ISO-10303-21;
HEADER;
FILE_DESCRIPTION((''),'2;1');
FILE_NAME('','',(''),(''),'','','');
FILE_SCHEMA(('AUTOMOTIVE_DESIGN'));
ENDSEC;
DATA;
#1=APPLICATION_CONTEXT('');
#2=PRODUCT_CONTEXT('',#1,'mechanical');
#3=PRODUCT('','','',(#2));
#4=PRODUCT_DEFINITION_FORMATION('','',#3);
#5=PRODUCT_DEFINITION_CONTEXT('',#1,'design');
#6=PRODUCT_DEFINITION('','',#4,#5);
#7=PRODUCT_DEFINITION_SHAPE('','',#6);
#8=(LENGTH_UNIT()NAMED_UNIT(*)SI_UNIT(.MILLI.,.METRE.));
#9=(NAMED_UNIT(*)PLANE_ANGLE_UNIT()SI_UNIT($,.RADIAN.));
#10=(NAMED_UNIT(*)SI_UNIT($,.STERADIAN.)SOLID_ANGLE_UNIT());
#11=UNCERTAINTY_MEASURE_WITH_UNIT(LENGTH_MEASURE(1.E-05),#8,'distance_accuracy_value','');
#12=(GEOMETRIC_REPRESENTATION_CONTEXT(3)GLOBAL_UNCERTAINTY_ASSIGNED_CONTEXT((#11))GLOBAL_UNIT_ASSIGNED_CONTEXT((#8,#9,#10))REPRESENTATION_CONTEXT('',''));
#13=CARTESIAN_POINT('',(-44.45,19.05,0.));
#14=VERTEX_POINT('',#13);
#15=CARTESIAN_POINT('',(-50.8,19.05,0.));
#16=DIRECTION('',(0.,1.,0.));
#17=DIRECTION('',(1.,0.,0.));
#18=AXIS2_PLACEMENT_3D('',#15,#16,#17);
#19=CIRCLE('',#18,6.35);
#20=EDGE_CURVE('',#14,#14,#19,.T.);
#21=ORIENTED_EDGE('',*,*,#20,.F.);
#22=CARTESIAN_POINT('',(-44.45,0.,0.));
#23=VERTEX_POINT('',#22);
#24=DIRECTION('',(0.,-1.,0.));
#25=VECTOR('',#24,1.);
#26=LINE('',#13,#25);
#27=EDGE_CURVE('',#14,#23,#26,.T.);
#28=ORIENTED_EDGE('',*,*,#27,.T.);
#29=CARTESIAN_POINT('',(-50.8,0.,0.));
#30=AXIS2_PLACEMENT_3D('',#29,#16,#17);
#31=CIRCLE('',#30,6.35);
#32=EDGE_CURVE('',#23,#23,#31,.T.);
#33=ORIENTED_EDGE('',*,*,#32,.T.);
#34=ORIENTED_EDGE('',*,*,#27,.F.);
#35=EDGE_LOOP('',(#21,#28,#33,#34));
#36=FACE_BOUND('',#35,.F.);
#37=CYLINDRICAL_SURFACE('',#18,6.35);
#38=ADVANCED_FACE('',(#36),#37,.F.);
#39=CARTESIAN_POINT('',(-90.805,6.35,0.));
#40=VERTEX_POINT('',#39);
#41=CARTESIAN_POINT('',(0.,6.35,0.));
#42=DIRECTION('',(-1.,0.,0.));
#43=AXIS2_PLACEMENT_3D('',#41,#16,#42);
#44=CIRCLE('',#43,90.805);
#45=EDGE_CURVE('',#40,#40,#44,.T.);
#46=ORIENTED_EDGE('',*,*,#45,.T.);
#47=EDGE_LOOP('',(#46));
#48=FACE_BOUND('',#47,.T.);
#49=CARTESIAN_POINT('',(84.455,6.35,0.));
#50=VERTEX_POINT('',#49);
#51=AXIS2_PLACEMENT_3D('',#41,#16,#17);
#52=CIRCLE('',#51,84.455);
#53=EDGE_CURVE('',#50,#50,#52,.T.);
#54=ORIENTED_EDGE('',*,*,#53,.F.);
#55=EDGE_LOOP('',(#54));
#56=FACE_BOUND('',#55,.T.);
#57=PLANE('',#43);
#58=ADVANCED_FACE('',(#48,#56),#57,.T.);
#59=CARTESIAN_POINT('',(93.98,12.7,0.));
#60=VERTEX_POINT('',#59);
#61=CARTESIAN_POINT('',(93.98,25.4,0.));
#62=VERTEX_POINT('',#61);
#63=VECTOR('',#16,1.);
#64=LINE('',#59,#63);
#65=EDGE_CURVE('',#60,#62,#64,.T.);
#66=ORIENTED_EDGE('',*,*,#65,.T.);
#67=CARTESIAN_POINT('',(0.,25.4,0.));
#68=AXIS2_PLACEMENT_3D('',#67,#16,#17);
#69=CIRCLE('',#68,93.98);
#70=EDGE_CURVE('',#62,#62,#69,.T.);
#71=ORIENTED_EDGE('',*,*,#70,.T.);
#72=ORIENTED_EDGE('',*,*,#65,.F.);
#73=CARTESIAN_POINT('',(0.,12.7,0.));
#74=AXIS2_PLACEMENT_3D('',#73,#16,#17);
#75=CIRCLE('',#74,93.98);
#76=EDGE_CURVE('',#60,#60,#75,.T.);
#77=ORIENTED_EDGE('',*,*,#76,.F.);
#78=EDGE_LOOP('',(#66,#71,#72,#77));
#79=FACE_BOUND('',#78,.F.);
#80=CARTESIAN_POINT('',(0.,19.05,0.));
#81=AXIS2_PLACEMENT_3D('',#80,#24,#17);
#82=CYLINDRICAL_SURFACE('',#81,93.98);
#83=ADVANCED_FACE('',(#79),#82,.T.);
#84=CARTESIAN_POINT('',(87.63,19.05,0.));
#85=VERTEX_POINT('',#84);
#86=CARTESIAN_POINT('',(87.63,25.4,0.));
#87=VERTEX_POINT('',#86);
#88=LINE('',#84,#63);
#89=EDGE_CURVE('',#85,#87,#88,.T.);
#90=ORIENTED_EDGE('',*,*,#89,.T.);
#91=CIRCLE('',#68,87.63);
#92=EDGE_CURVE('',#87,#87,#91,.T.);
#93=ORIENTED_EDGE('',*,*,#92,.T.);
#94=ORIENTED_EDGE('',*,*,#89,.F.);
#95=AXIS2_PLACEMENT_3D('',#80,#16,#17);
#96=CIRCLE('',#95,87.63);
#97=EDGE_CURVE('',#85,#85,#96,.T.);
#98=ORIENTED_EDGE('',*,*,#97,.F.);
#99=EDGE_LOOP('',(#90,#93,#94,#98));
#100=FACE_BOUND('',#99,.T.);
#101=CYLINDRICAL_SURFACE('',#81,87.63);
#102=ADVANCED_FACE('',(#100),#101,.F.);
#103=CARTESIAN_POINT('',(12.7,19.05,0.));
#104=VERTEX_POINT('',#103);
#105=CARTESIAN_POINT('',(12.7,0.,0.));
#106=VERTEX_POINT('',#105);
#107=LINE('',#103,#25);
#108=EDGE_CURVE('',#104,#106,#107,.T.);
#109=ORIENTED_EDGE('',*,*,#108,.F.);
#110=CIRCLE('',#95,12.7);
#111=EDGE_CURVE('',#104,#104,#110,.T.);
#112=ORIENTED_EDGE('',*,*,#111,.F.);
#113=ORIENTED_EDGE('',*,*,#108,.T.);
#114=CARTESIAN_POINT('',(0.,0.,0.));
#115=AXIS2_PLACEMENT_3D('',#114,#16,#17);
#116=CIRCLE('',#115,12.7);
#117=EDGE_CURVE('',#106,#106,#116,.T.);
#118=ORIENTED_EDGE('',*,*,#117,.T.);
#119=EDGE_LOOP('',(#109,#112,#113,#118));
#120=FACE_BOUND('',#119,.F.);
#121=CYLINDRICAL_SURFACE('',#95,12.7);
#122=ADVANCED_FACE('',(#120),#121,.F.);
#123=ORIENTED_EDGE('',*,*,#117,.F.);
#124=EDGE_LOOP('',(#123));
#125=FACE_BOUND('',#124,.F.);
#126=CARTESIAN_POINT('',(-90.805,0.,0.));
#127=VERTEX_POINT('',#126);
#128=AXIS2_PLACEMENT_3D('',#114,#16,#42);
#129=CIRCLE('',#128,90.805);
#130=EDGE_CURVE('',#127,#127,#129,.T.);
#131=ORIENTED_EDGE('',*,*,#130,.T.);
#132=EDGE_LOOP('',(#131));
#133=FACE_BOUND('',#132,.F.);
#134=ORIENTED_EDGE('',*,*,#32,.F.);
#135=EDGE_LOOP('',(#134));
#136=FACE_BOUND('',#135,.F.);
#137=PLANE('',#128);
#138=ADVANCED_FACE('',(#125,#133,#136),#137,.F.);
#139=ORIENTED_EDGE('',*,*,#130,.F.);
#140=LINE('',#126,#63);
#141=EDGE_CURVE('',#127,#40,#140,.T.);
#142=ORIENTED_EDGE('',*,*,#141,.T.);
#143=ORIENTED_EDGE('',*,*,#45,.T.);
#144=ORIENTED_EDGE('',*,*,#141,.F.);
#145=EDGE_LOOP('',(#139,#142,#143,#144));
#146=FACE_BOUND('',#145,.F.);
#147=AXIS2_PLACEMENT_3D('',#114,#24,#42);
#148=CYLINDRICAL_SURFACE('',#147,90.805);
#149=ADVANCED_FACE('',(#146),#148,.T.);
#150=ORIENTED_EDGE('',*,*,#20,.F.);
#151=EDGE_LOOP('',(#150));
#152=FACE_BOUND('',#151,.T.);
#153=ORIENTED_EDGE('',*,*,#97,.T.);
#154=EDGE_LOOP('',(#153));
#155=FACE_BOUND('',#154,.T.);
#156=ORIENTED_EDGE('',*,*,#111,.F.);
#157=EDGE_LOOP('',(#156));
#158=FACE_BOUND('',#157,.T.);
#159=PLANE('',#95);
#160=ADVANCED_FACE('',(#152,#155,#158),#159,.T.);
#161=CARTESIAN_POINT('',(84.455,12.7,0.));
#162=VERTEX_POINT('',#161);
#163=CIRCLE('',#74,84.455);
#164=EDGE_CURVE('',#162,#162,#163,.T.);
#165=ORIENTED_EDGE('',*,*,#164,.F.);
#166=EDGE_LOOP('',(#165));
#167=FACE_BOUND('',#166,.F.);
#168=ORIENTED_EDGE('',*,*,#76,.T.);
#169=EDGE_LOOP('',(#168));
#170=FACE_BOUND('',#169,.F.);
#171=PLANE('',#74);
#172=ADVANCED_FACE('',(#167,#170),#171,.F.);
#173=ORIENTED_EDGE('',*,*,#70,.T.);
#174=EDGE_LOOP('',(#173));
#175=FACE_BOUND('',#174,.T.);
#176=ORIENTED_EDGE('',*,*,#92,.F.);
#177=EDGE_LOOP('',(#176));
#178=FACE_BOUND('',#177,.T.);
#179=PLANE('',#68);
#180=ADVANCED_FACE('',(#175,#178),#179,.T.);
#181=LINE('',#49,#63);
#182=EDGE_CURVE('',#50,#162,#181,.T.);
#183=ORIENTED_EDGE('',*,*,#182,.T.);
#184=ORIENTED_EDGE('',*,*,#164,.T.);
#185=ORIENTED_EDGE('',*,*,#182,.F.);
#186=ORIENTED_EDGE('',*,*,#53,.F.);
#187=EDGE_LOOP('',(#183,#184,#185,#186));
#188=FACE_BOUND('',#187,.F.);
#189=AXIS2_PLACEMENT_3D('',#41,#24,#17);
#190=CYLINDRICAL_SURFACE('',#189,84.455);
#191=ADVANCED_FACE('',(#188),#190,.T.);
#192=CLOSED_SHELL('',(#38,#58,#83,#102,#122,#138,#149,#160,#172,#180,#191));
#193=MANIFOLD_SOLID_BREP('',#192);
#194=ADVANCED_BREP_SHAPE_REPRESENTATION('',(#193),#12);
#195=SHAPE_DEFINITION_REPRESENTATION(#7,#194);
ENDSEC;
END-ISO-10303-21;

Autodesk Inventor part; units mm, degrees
ref_plane "YZ Plane" through (0, 0, 0) normal (1, 0, 0) x (0, 1, 0)
ref_plane "XZ Plane" through (0, 0, 0) normal (0, 1, 0) x (-1, 0, 0)
ref_plane "XY Plane" through (0, 0, 0) normal (0, 0, 1) x (1, 0, 0)
sketch "Sketch1" plane through (0, 0, 0) normal (0, 1, 0) x (-1, 0, 0)
  circle A0 centre (0, 0) radius 90.805
  dimension "d0" = 181.61
extrude "Extrusion1" add sketch "Sketch1" along normal blind 6.35
sketch "Sketch2" plane through (0, 6.35, 0) normal (0, 1, 0) x (1, 0, 0)
  circle A0 centre (0, 0) radius 84.455
  dimension "d3" = 168.91
extrude "Extrusion2" add sketch "Sketch2" along normal blind 6.35
sketch "Sketch3" plane through (0, 12.7, 0) normal (0, 1, 0) x (1, 0, 0)
  circle A0 centre (0, 0) radius 93.98
  dimension "d6" = 187.96
extrude "Extrusion3" add sketch "Sketch3" along normal blind 6.35
sketch "Sketch4" plane through (0, 19.05, 0) normal (0, 1, 0) x (1, 0, 0)
  circle A0 centre (0, 0) radius 12.7
  circle A1 centre (-50.8, 0) radius 6.35
  dimension "d9" = 25.4
  dimension "d10" = 50.8
  dimension "d11" = 12.7
extrude "Extrusion4" cut sketch "Sketch4" against normal up to next
sketch "Sketch5" plane through (0, 19.05, 0) normal (0, 1, 0) x (1, 0, 0)
  circle A0 centre (0, 0) radius 93.98
  circle A1 centre (0, 0) radius 87.63
  dimension "d14" = 187.96
  dimension "d15" = 175.26
extrude "Extrusion5" add sketch "Sketch5" along normal blind 6.35
properties part number "thermal_barrier" material "Phenolic Resin"
